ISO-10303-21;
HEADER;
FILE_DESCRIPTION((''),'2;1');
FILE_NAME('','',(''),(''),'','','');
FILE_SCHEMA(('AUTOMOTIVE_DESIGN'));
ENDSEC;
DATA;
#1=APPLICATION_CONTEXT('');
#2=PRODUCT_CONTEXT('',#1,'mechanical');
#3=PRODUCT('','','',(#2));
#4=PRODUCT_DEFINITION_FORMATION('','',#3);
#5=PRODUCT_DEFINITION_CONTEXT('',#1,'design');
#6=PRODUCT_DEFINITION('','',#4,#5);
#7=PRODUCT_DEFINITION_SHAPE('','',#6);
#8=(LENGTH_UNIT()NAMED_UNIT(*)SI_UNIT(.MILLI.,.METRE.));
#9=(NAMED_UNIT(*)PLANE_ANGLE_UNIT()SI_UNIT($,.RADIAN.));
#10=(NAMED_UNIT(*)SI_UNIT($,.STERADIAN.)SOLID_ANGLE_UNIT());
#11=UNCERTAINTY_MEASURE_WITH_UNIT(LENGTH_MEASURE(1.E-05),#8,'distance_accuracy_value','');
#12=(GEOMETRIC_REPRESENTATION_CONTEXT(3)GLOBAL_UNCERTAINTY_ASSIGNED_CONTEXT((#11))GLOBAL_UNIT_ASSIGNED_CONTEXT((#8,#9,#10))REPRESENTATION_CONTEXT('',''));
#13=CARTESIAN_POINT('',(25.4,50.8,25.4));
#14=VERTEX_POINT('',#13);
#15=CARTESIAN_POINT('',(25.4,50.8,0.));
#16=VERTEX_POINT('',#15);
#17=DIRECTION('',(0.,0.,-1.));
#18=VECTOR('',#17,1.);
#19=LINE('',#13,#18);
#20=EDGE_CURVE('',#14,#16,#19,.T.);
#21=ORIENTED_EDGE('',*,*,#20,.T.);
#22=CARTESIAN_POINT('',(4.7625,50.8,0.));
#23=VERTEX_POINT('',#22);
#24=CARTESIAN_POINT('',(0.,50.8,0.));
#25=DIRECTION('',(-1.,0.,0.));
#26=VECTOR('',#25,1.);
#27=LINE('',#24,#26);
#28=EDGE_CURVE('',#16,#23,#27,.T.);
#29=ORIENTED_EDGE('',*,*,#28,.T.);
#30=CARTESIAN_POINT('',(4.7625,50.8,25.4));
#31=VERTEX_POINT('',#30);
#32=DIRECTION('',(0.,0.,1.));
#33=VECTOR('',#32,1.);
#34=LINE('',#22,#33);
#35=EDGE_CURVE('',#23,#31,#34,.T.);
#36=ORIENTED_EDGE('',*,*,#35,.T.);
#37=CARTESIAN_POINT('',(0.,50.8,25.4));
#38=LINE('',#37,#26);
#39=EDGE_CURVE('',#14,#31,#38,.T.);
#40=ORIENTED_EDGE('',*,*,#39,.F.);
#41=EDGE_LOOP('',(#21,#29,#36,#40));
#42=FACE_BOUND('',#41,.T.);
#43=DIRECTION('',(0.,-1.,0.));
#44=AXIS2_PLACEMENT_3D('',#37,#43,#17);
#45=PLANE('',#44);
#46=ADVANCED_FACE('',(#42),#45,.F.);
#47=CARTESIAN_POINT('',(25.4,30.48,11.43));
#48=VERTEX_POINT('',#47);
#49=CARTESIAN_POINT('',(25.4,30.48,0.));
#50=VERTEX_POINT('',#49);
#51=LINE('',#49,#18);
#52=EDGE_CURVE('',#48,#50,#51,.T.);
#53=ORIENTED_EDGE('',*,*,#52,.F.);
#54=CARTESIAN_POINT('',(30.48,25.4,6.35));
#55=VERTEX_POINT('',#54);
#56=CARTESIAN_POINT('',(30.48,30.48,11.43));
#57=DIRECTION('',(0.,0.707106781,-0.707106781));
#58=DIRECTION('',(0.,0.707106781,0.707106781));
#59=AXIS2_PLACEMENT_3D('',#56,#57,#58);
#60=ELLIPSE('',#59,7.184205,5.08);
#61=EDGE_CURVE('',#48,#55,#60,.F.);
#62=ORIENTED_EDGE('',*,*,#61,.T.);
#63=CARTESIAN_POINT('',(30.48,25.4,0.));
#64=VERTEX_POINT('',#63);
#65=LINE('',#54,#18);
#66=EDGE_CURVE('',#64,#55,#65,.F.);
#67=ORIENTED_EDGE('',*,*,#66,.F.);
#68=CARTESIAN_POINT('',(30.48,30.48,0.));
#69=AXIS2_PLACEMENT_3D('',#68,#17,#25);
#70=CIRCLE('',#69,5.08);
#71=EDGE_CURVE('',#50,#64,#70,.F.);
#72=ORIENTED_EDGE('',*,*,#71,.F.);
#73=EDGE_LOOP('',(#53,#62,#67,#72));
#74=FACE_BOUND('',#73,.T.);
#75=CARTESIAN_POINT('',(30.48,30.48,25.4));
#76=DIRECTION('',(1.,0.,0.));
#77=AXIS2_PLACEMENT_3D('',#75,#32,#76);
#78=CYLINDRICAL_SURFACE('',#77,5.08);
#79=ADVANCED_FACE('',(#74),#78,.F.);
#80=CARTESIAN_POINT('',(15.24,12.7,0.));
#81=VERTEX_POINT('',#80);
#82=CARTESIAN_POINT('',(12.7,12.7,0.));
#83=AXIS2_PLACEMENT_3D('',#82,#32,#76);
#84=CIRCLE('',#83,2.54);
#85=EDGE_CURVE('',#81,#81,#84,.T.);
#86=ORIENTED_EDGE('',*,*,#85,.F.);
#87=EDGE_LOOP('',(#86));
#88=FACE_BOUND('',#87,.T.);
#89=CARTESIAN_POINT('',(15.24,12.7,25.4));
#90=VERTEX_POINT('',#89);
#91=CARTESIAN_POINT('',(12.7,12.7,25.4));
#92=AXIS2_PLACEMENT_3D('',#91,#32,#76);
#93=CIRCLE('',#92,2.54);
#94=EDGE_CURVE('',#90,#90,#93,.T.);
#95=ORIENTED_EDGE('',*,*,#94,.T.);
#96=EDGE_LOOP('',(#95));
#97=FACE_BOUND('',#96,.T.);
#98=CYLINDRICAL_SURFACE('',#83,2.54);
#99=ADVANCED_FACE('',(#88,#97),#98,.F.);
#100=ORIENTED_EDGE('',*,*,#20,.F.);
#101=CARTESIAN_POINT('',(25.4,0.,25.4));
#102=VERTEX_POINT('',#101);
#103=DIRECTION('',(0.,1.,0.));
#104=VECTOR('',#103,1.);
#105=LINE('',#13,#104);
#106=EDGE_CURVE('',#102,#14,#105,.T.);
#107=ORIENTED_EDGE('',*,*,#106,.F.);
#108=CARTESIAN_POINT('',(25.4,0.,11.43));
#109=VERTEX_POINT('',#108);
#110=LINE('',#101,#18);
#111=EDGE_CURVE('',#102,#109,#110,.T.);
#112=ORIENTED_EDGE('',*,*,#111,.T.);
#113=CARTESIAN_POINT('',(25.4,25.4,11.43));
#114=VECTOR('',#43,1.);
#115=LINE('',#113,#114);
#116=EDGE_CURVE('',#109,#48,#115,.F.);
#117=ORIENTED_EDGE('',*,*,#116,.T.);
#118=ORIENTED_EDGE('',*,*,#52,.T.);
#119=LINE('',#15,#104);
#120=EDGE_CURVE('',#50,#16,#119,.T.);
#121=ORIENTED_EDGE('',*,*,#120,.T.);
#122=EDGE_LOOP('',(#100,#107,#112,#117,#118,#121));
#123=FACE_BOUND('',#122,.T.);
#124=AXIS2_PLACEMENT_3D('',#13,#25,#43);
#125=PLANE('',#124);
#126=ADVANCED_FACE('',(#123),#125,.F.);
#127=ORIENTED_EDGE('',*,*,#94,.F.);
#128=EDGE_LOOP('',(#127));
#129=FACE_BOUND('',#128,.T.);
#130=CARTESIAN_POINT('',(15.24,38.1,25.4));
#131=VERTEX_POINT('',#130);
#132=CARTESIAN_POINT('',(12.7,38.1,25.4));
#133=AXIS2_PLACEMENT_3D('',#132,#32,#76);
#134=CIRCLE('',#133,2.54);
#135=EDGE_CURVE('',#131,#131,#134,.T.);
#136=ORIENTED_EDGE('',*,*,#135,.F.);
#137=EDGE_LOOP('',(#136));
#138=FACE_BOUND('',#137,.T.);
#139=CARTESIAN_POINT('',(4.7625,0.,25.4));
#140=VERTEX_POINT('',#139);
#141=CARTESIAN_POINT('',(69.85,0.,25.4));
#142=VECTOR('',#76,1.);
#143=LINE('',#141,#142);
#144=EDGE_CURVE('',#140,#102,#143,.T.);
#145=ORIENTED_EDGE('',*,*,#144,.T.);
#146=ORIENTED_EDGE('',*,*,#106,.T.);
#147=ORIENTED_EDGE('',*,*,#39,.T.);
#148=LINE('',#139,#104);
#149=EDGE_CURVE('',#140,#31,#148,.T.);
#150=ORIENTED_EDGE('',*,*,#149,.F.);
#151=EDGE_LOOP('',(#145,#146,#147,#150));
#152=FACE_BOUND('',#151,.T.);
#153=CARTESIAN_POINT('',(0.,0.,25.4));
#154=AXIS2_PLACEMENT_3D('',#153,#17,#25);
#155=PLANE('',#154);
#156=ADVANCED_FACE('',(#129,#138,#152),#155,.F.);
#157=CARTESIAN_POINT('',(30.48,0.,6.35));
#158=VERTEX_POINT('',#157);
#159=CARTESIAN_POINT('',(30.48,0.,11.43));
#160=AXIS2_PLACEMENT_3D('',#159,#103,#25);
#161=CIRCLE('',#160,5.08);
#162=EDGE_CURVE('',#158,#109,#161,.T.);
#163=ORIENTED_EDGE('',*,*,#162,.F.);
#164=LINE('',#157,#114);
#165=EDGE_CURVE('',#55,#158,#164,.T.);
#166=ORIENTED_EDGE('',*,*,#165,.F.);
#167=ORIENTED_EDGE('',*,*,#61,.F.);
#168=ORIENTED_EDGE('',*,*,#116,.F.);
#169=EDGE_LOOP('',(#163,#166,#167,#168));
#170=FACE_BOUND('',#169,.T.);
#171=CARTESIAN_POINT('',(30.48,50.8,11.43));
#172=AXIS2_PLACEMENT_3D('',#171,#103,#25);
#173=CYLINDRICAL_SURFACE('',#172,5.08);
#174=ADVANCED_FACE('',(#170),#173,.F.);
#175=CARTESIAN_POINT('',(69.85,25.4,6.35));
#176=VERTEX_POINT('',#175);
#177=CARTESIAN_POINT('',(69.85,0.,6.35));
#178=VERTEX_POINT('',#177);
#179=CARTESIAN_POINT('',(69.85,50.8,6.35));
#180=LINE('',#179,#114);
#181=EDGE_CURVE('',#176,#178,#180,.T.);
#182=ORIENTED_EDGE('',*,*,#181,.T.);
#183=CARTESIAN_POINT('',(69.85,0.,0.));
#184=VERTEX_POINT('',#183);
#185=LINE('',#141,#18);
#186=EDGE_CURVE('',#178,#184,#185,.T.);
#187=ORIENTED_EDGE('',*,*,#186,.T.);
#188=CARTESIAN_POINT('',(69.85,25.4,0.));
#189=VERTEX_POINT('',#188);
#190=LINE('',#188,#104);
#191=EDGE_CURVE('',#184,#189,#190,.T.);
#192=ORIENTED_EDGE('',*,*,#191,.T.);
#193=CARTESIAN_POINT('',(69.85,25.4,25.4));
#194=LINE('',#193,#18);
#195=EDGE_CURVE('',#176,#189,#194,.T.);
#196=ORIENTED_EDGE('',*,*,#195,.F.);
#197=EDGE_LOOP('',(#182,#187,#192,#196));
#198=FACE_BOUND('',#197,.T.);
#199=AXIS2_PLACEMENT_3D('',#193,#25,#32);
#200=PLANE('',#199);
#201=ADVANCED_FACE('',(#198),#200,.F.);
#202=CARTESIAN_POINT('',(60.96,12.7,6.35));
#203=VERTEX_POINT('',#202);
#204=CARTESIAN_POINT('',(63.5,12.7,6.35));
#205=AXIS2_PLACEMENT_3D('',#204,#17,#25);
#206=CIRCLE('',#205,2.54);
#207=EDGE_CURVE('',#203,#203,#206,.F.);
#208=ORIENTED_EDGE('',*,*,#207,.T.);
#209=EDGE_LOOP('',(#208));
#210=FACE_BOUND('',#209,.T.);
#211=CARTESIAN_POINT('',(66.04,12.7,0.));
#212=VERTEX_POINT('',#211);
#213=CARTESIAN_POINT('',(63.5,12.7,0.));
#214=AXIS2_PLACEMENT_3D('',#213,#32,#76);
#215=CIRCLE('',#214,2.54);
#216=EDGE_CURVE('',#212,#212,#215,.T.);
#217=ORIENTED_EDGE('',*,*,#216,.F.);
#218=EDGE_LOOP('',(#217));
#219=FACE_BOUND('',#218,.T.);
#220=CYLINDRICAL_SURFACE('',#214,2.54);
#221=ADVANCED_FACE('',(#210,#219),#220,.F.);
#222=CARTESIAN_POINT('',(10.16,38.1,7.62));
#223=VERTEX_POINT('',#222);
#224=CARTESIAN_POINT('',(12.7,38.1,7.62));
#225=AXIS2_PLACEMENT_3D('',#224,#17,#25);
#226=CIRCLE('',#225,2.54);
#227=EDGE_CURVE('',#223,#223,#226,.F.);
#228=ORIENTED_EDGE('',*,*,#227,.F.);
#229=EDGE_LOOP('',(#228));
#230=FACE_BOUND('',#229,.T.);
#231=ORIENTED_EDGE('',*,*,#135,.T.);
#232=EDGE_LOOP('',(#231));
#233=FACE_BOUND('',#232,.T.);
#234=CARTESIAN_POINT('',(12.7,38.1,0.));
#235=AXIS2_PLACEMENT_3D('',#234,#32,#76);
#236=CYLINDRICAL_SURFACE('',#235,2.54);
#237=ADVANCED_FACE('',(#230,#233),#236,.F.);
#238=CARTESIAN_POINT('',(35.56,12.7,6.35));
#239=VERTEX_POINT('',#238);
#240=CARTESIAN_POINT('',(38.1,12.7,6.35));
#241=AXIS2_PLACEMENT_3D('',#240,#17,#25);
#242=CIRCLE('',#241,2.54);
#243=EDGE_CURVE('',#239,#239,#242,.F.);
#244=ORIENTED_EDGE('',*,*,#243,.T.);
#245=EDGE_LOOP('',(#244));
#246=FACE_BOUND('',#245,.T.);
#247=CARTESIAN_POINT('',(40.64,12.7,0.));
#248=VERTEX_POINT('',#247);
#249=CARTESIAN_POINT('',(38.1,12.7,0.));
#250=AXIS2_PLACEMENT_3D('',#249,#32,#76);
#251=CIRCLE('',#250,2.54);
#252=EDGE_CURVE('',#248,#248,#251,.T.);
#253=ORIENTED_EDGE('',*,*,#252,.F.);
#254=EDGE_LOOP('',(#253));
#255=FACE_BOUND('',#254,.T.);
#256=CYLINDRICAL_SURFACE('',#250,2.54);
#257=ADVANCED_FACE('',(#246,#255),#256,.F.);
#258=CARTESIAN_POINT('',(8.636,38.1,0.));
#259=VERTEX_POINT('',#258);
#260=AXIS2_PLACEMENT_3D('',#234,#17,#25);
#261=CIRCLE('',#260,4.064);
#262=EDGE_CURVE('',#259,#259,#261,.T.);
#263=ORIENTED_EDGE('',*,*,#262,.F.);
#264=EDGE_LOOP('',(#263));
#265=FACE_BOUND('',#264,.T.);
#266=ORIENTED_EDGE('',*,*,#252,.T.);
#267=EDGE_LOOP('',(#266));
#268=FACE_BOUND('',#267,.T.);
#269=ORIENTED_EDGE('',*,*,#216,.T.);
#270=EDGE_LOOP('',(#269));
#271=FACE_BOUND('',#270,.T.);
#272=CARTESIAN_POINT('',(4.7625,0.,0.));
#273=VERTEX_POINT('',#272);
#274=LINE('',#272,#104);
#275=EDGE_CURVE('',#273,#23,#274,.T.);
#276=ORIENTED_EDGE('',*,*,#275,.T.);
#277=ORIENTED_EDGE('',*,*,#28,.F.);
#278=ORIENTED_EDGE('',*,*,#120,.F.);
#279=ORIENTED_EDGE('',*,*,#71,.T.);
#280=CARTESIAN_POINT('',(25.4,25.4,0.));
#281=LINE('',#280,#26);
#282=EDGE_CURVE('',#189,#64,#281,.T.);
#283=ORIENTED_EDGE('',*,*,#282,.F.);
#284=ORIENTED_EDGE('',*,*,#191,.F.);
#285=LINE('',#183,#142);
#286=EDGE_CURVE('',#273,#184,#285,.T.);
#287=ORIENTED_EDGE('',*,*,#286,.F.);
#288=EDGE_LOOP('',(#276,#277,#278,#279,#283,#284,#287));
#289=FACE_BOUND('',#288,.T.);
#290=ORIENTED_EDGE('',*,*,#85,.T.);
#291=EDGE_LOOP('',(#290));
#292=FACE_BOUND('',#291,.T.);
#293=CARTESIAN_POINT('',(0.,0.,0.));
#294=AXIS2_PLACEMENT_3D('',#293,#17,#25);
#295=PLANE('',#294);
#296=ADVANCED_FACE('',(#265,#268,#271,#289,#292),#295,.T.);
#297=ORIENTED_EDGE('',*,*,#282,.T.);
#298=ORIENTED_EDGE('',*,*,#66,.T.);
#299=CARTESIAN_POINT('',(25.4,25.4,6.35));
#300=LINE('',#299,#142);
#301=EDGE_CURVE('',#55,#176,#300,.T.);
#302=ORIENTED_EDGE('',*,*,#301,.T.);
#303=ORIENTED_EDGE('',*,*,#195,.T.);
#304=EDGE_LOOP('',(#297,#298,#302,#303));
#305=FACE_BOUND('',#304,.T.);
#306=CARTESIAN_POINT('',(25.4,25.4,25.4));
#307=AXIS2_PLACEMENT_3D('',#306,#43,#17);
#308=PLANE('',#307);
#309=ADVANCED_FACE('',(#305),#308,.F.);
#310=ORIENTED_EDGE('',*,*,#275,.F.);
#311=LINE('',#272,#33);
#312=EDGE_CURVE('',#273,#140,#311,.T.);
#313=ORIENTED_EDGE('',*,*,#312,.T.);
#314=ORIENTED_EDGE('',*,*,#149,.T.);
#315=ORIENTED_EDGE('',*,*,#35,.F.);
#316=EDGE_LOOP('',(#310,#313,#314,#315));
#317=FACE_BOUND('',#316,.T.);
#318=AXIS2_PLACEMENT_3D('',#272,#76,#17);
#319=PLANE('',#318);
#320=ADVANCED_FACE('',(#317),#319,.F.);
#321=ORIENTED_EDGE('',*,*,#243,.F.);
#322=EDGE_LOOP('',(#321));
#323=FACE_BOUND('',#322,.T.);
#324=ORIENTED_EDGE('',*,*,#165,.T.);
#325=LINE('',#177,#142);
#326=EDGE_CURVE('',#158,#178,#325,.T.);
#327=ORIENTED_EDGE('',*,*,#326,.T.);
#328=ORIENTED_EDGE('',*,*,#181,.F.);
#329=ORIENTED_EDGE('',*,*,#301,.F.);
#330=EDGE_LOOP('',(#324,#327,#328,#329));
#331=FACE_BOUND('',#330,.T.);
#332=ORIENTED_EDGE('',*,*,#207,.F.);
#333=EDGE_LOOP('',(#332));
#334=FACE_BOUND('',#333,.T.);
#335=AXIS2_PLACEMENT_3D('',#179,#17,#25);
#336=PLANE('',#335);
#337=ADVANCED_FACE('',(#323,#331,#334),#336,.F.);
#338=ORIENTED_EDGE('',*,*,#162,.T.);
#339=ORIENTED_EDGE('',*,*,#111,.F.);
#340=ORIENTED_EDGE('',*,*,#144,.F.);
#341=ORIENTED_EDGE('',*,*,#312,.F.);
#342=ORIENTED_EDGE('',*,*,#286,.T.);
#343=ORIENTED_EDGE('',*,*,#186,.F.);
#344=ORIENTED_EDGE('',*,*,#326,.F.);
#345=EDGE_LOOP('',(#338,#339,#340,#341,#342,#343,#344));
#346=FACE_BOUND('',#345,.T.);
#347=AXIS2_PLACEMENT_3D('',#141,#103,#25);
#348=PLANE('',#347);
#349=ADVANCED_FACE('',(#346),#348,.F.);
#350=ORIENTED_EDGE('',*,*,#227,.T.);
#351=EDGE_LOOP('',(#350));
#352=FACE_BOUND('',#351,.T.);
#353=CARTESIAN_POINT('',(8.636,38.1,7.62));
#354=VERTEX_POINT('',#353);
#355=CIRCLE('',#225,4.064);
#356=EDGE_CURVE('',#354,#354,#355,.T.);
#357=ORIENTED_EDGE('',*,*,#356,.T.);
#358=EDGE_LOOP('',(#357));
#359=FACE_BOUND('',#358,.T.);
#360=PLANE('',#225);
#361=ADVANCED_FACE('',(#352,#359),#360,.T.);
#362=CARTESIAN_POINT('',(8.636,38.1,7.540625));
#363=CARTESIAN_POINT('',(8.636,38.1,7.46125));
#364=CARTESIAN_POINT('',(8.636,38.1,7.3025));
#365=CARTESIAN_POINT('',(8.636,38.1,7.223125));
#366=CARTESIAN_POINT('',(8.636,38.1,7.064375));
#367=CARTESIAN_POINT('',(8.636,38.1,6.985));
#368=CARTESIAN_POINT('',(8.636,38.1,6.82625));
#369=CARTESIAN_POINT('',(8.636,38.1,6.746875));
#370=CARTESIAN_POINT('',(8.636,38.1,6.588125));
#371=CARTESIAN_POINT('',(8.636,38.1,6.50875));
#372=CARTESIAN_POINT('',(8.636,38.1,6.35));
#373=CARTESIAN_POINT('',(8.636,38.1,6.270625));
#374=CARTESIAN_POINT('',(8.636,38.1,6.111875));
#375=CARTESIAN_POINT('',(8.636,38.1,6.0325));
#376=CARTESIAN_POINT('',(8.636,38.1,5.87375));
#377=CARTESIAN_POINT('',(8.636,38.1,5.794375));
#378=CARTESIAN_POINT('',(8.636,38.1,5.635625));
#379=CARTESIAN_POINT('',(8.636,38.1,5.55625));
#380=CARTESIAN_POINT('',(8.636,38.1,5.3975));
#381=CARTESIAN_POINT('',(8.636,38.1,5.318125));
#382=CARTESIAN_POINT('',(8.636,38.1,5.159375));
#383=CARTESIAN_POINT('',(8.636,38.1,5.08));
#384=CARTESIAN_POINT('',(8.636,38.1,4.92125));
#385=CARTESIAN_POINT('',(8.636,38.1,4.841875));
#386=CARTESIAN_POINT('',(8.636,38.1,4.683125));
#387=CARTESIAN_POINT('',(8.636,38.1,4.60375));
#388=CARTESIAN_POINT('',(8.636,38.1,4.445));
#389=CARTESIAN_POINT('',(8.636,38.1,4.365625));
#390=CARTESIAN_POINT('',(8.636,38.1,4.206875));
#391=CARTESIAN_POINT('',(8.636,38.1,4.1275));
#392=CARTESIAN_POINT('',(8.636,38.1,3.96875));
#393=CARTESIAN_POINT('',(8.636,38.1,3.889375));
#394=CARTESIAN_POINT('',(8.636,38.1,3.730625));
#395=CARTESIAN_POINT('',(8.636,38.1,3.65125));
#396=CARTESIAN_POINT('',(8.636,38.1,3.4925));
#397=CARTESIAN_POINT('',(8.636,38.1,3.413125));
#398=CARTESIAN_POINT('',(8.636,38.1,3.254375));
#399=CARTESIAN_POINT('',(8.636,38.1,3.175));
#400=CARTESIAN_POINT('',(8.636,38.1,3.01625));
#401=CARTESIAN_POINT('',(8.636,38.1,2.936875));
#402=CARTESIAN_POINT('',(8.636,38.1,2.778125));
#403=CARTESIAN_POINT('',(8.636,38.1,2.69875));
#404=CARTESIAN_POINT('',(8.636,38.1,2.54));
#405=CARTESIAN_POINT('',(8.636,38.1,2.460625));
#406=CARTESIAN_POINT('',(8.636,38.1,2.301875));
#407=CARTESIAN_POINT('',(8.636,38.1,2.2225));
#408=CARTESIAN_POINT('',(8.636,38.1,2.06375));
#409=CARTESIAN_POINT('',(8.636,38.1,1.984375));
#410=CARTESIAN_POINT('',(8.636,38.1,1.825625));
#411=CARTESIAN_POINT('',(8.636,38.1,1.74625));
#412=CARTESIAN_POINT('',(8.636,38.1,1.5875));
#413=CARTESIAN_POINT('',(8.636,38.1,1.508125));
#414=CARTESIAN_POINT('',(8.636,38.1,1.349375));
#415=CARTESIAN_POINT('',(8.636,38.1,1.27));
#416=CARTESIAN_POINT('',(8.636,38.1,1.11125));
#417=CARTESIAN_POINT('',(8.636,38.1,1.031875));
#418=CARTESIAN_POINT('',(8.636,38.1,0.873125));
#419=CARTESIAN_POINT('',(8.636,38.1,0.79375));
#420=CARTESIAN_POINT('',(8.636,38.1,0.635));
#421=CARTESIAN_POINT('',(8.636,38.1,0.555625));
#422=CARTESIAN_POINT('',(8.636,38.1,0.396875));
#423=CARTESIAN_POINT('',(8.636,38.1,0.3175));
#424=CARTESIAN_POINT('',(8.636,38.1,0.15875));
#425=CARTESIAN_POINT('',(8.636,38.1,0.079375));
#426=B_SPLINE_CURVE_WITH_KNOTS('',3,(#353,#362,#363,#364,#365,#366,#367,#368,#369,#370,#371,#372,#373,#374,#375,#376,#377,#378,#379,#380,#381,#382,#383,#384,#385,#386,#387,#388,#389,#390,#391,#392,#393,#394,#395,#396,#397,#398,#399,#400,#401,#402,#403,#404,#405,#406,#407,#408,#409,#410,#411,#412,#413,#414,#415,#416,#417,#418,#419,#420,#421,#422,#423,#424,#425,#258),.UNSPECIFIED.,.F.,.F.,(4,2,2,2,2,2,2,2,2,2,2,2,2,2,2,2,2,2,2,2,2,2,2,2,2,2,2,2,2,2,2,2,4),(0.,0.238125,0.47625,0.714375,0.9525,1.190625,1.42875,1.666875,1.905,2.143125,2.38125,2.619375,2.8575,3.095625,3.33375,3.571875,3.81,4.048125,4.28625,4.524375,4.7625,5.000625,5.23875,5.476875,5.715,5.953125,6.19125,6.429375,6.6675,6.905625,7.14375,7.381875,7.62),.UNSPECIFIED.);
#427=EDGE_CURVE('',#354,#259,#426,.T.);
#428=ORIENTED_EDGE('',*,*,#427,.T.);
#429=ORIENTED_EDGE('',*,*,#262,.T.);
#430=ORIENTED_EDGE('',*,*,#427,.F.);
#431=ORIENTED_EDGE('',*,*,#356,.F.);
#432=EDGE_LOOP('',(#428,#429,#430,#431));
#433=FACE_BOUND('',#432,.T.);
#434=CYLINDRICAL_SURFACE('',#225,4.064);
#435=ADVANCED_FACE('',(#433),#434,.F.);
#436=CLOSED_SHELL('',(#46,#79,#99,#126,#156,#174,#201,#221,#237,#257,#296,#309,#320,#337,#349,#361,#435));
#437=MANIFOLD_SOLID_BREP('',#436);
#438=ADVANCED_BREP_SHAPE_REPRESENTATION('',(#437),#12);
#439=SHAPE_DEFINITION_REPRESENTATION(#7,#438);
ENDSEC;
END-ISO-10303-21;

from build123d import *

# Parameters (mm, degrees)
BOSS_EXTRUDE1_DEPTH = 25.4
SKETCH2_R           = 2.54
CUT_EXTRUDE1_DEPTH  = 91.02678768
SKETCH3_W           = 4.7625
SKETCH3_H           = 50.8
CUT_EXTRUDE2_DEPTH  = 91.02678768
SKETCH4_W           = 44.45
SKETCH4_H           = 19.05
CUT_EXTRUDE3_DEPTH  = 91.02678768
FILLET1_R           = 5.08
SKETCH6_R           = 4.064
CUT_EXTRUDE5_DEPTH  = 7.62


with BuildPart() as part:
    # Sketch1 → Boss-Extrude1 (new body)
    with BuildSketch(Plane.XY):
        Polygon((0, 0), (0, 50.8), (25.4, 50.8), (25.4, 25.4), (69.85, 25.4), (69.85, 0), align=None)
    extrude(amount=BOSS_EXTRUDE1_DEPTH)

    # Sketch2 → Cut-Extrude1 (cut, through all)
    with BuildSketch(Plane.XY.offset(25.4)):
        with Locations((12.7, 38.1)):
            Circle(SKETCH2_R)
        with Locations((12.7, 12.7)):
            Circle(SKETCH2_R)
        with Locations((38.1, 12.7)):
            Circle(SKETCH2_R)
        with Locations((63.5, 12.7)):
            Circle(SKETCH2_R)
    extrude(amount=-CUT_EXTRUDE1_DEPTH, mode=Mode.SUBTRACT)

    # Sketch3 → Cut-Extrude2 (cut, through all)
    with BuildSketch(Plane.XY.offset(25.4)):
        with Locations((2.38125, 25.4)):
            Rectangle(SKETCH3_W, SKETCH3_H)
    extrude(amount=-CUT_EXTRUDE2_DEPTH, mode=Mode.SUBTRACT)

    # Sketch4 → Cut-Extrude3 (cut, through all)
    with BuildSketch(Plane.XZ):
        with Locations((47.625, 15.875)):
            Rectangle(SKETCH4_W, SKETCH4_H)
    extrude(amount=-CUT_EXTRUDE3_DEPTH, mode=Mode.SUBTRACT)

    # Fillet1
    fillet1_edges = [part.edges().sort_by_distance(p)[0] for p in [
        (25.4, 25.4, 3.175),
        (25.4, 12.7, 6.35),
    ]]
    fillet(fillet1_edges, radius=FILLET1_R)

    # Sketch6 → Cut-Extrude5 (cut)
    with BuildSketch(Plane(origin=(0, 0, 0), x_dir=(-1, 0, 0), z_dir=(0, 0, -1))):
        with Locations((-12.7, 38.1)):
            Circle(SKETCH6_R)
    extrude(amount=-CUT_EXTRUDE5_DEPTH, mode=Mode.SUBTRACT)


solid = part.part
